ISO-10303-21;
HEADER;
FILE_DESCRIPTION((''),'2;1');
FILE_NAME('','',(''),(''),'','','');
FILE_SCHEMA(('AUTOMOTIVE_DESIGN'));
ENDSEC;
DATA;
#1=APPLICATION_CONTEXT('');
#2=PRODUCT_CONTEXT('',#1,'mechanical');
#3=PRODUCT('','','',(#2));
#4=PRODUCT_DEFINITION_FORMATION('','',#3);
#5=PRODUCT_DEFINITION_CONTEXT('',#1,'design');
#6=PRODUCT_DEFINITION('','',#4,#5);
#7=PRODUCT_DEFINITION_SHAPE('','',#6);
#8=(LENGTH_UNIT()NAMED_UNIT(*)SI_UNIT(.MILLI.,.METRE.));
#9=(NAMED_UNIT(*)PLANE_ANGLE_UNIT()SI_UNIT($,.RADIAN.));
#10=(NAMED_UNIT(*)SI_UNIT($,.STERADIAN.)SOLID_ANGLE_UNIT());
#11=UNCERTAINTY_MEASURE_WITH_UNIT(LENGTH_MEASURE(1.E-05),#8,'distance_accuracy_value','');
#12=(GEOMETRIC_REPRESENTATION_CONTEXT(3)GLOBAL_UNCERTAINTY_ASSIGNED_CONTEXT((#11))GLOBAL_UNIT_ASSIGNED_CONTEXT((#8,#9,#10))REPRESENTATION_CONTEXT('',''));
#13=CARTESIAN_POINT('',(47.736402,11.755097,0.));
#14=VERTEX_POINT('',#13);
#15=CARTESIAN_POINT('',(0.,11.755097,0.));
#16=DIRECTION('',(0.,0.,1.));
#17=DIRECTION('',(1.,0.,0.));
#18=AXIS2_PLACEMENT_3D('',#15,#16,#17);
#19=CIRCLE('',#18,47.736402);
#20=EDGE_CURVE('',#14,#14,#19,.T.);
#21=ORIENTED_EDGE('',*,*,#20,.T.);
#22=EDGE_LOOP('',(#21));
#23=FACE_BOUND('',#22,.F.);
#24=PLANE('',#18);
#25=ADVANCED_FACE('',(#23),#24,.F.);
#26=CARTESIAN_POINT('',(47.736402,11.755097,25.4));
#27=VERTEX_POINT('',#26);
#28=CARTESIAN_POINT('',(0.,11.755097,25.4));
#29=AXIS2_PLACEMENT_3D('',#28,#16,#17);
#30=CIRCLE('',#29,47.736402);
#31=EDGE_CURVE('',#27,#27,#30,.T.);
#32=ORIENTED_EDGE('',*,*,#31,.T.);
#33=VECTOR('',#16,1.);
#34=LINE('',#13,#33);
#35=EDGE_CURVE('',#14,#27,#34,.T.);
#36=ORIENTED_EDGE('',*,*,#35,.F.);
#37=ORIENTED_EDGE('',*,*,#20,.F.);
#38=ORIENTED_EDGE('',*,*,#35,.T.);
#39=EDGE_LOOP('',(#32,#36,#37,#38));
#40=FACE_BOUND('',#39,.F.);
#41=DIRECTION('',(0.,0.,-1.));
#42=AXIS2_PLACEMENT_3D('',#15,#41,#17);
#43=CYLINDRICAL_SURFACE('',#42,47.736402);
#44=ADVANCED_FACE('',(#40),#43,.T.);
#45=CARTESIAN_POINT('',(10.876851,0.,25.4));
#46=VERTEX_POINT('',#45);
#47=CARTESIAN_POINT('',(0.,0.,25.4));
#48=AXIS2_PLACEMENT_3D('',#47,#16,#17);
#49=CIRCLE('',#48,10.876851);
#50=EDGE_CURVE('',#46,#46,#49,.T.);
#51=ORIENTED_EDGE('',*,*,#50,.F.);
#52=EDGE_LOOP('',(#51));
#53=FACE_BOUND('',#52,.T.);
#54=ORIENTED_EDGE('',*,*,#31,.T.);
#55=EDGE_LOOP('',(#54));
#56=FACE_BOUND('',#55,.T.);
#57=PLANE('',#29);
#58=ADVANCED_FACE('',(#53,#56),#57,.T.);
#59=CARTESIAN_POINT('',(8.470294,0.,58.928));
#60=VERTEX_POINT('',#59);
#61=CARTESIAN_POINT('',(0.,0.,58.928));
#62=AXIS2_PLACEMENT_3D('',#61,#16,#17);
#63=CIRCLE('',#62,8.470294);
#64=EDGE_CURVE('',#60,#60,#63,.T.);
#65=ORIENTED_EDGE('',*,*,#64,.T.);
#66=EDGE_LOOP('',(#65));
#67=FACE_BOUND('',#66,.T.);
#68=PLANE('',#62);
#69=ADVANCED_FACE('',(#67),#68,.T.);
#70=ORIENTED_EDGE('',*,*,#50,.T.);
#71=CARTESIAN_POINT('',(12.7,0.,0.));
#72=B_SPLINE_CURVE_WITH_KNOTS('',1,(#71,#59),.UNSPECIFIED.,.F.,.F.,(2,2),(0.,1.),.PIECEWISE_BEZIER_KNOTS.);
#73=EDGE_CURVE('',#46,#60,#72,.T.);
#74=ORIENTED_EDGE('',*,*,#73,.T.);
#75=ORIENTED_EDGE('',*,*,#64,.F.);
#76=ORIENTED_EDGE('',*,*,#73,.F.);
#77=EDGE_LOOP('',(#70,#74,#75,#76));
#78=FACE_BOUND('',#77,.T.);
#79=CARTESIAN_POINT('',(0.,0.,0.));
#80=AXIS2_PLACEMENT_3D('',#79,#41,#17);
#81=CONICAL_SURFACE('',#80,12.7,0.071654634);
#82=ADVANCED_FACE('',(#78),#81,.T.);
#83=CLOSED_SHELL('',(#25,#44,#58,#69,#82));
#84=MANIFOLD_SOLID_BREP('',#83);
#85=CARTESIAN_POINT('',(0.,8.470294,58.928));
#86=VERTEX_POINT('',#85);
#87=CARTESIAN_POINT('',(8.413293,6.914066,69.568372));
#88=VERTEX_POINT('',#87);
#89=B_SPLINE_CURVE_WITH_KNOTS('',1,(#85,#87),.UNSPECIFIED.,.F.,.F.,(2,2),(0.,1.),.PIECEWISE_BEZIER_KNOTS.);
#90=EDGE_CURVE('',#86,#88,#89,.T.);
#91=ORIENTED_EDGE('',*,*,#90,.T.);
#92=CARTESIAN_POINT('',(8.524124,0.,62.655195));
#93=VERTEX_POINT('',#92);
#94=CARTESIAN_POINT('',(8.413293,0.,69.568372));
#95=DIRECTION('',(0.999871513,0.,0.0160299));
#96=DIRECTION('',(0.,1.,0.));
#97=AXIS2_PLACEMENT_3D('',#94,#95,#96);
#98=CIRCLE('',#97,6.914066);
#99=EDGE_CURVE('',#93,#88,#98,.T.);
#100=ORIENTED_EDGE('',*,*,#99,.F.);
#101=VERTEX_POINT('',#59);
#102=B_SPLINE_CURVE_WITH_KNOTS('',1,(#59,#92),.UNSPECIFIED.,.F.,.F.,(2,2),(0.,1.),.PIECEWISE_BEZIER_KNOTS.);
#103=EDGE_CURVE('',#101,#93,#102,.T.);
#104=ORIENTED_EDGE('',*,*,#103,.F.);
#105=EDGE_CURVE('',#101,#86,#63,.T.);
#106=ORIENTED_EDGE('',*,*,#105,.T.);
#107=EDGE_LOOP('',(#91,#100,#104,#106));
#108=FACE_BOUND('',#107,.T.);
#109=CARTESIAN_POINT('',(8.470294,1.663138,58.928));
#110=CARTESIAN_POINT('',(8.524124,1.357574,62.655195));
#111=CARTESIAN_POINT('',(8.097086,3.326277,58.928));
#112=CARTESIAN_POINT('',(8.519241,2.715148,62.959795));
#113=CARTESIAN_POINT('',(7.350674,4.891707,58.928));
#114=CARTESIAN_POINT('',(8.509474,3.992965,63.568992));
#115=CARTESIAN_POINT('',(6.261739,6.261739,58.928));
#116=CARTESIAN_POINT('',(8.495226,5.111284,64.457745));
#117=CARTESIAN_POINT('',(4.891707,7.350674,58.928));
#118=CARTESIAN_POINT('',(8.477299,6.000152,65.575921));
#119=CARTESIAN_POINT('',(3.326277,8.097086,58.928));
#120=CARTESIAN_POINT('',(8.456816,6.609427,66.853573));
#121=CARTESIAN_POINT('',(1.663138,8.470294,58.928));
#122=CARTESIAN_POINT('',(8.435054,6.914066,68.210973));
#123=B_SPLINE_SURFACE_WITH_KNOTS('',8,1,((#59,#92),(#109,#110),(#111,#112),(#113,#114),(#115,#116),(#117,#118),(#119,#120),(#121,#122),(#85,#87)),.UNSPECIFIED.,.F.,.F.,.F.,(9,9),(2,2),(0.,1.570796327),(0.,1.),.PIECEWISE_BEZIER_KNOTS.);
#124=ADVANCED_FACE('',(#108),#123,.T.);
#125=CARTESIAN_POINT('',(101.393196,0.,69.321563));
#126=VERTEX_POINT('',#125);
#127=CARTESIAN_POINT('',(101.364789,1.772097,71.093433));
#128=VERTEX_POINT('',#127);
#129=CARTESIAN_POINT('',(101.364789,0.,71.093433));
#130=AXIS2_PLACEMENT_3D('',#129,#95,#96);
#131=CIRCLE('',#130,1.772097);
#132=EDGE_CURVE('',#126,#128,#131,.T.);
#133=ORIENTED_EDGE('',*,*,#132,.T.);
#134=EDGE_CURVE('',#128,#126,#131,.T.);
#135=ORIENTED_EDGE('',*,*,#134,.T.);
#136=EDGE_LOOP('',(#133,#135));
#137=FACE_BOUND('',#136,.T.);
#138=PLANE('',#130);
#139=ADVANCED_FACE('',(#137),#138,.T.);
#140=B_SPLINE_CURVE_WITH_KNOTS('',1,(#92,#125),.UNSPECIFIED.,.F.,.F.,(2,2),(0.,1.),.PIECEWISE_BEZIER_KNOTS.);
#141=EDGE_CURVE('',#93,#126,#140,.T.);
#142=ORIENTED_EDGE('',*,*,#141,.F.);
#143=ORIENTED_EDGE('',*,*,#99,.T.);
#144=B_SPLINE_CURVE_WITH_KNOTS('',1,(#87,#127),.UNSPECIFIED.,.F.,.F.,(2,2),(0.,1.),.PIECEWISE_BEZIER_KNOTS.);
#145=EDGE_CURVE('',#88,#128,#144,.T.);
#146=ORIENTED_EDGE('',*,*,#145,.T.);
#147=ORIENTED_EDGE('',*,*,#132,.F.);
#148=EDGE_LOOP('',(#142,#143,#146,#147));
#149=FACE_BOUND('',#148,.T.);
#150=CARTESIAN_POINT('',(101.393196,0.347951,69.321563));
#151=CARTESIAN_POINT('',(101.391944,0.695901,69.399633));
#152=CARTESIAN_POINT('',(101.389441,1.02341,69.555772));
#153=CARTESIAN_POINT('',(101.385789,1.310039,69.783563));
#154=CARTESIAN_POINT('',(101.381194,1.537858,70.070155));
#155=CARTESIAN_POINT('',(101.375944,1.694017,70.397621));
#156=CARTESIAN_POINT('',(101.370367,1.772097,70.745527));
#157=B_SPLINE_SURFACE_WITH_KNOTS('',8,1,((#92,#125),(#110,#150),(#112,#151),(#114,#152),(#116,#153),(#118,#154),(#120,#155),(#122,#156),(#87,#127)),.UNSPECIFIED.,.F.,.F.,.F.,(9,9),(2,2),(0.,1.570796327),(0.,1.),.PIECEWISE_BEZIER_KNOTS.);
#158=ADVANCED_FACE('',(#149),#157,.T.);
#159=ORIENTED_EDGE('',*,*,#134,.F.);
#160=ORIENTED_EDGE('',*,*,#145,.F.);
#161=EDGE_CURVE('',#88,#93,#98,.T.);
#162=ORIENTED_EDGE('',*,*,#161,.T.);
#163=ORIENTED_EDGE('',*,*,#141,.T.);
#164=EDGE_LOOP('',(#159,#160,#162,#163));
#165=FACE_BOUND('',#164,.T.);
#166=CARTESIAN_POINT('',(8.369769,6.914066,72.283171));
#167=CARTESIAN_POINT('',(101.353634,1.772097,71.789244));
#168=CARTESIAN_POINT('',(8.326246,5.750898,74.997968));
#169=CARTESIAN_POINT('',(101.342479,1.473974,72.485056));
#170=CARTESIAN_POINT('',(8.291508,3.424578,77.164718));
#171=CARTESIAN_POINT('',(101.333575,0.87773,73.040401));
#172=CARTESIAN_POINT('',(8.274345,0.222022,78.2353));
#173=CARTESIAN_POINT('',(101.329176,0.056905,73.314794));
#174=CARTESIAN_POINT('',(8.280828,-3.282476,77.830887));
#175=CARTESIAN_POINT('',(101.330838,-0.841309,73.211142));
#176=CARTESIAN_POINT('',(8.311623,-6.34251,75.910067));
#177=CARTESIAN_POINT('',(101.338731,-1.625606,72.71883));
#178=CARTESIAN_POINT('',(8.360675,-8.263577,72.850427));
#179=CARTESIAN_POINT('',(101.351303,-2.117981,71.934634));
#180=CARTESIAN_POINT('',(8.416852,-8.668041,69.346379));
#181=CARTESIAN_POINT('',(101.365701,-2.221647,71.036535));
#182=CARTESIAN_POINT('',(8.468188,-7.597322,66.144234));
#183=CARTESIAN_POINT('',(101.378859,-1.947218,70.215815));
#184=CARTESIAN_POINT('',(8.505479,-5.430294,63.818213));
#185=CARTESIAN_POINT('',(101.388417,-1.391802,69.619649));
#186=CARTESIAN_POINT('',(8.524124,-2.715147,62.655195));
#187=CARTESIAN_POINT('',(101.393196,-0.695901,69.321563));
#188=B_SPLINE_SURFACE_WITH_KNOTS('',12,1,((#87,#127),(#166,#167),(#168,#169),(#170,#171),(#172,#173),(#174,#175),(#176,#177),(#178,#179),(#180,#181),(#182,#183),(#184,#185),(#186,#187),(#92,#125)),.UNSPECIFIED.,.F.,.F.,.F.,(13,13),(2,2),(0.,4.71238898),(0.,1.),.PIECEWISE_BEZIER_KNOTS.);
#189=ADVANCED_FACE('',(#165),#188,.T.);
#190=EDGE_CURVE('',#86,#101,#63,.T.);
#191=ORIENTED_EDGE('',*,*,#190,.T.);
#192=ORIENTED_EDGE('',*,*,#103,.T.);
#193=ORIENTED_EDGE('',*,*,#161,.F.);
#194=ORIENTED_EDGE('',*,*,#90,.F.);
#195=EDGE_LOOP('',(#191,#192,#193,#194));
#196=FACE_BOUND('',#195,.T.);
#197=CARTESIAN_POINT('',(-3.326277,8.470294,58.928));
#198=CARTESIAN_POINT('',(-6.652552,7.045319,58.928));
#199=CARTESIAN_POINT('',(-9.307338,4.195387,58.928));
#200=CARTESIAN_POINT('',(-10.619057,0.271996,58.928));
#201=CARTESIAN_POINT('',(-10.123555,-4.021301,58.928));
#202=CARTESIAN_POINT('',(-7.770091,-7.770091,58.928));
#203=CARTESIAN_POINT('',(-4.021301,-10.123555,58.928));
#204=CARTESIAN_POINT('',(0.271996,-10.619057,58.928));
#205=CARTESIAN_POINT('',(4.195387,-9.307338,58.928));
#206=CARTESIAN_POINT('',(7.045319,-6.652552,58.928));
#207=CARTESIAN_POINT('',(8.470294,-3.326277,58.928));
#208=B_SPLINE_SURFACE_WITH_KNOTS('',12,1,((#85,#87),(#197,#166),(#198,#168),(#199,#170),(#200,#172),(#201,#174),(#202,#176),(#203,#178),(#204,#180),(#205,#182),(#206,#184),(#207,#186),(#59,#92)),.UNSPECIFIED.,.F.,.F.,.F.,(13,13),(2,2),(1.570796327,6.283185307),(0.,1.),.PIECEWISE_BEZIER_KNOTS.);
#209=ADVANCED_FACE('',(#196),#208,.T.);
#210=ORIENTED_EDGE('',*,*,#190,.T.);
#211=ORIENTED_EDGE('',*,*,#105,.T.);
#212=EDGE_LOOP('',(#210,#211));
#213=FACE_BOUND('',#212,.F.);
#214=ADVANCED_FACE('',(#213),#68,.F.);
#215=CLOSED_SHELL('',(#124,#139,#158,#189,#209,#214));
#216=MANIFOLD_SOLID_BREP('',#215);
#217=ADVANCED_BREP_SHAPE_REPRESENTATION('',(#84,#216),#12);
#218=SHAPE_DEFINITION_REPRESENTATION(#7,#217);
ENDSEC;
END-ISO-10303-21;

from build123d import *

# Parameters (mm, degrees)
F0_R      = 12.7
F2_R      = 8.470294293
F3_FACE_R = 8.470294293
F6_R      = 6.9140661874
F9_R      = 1.7720974012
F11_R     = 47.7364020656
F12_DEPTH = 25.4


with BuildPart() as f3:
    # F0 (on Top) → F3 section 0
    with BuildSketch(Plane.XY):
        Circle(F0_R)
    # F2 (on offset) → F3 section 1
    with BuildSketch(Plane.XY.offset(58.928)):
        Circle(F2_R)
    loft()

    # F11 (on Top) → F12 (join)
    with BuildSketch(Plane.XY):
        with Locations((0, 11.7550967261)):
            Circle(F11_R)
    extrude(amount=F12_DEPTH)


with BuildPart() as f7:
    # F3_face (on face) → F7 section 0
    with BuildSketch(Plane.XY.offset(58.928)):
        Circle(F3_FACE_R)
    # F6 (on line) → F7 section 1
    with BuildSketch(Plane(origin=(9.5261614685, 0, 0.1527230367), x_dir=(0, 1, 0), z_dir=(0.9998715129, 0, 0.0160298998))):
        with Locations((0, 69.4245696068)):
            Circle(F6_R)
    loft()

    # F7_face (on face) → F10 section 0
    with BuildSketch(Plane(origin=(8.4132925743, 0, 69.568372482), x_dir=(0, 1, 0), z_dir=(0.9998715129, 0, 0.0160298998))):
        with BuildLine():
            ThreePointArc((0, -6.9140661874), (4.8889830867, -4.8889830867), (6.9140661874, 0))
            ThreePointArc((6.9140661874, 0), (-4.8889830867, 4.8889830867), (0, -6.9140661874))
        make_face()
    # F9 (on offset) → F10 section 1
    with BuildSketch(Plane(origin=(102.4782167939, 0, 1.6429266412), x_dir=(0, 1, 0), z_dir=(0.9998715129, 0, 0.0160298998))):
        with Locations((0, 69.4594308734)):
            Circle(F9_R)
    loft()


solid = Compound([f3.part, f7.part])
